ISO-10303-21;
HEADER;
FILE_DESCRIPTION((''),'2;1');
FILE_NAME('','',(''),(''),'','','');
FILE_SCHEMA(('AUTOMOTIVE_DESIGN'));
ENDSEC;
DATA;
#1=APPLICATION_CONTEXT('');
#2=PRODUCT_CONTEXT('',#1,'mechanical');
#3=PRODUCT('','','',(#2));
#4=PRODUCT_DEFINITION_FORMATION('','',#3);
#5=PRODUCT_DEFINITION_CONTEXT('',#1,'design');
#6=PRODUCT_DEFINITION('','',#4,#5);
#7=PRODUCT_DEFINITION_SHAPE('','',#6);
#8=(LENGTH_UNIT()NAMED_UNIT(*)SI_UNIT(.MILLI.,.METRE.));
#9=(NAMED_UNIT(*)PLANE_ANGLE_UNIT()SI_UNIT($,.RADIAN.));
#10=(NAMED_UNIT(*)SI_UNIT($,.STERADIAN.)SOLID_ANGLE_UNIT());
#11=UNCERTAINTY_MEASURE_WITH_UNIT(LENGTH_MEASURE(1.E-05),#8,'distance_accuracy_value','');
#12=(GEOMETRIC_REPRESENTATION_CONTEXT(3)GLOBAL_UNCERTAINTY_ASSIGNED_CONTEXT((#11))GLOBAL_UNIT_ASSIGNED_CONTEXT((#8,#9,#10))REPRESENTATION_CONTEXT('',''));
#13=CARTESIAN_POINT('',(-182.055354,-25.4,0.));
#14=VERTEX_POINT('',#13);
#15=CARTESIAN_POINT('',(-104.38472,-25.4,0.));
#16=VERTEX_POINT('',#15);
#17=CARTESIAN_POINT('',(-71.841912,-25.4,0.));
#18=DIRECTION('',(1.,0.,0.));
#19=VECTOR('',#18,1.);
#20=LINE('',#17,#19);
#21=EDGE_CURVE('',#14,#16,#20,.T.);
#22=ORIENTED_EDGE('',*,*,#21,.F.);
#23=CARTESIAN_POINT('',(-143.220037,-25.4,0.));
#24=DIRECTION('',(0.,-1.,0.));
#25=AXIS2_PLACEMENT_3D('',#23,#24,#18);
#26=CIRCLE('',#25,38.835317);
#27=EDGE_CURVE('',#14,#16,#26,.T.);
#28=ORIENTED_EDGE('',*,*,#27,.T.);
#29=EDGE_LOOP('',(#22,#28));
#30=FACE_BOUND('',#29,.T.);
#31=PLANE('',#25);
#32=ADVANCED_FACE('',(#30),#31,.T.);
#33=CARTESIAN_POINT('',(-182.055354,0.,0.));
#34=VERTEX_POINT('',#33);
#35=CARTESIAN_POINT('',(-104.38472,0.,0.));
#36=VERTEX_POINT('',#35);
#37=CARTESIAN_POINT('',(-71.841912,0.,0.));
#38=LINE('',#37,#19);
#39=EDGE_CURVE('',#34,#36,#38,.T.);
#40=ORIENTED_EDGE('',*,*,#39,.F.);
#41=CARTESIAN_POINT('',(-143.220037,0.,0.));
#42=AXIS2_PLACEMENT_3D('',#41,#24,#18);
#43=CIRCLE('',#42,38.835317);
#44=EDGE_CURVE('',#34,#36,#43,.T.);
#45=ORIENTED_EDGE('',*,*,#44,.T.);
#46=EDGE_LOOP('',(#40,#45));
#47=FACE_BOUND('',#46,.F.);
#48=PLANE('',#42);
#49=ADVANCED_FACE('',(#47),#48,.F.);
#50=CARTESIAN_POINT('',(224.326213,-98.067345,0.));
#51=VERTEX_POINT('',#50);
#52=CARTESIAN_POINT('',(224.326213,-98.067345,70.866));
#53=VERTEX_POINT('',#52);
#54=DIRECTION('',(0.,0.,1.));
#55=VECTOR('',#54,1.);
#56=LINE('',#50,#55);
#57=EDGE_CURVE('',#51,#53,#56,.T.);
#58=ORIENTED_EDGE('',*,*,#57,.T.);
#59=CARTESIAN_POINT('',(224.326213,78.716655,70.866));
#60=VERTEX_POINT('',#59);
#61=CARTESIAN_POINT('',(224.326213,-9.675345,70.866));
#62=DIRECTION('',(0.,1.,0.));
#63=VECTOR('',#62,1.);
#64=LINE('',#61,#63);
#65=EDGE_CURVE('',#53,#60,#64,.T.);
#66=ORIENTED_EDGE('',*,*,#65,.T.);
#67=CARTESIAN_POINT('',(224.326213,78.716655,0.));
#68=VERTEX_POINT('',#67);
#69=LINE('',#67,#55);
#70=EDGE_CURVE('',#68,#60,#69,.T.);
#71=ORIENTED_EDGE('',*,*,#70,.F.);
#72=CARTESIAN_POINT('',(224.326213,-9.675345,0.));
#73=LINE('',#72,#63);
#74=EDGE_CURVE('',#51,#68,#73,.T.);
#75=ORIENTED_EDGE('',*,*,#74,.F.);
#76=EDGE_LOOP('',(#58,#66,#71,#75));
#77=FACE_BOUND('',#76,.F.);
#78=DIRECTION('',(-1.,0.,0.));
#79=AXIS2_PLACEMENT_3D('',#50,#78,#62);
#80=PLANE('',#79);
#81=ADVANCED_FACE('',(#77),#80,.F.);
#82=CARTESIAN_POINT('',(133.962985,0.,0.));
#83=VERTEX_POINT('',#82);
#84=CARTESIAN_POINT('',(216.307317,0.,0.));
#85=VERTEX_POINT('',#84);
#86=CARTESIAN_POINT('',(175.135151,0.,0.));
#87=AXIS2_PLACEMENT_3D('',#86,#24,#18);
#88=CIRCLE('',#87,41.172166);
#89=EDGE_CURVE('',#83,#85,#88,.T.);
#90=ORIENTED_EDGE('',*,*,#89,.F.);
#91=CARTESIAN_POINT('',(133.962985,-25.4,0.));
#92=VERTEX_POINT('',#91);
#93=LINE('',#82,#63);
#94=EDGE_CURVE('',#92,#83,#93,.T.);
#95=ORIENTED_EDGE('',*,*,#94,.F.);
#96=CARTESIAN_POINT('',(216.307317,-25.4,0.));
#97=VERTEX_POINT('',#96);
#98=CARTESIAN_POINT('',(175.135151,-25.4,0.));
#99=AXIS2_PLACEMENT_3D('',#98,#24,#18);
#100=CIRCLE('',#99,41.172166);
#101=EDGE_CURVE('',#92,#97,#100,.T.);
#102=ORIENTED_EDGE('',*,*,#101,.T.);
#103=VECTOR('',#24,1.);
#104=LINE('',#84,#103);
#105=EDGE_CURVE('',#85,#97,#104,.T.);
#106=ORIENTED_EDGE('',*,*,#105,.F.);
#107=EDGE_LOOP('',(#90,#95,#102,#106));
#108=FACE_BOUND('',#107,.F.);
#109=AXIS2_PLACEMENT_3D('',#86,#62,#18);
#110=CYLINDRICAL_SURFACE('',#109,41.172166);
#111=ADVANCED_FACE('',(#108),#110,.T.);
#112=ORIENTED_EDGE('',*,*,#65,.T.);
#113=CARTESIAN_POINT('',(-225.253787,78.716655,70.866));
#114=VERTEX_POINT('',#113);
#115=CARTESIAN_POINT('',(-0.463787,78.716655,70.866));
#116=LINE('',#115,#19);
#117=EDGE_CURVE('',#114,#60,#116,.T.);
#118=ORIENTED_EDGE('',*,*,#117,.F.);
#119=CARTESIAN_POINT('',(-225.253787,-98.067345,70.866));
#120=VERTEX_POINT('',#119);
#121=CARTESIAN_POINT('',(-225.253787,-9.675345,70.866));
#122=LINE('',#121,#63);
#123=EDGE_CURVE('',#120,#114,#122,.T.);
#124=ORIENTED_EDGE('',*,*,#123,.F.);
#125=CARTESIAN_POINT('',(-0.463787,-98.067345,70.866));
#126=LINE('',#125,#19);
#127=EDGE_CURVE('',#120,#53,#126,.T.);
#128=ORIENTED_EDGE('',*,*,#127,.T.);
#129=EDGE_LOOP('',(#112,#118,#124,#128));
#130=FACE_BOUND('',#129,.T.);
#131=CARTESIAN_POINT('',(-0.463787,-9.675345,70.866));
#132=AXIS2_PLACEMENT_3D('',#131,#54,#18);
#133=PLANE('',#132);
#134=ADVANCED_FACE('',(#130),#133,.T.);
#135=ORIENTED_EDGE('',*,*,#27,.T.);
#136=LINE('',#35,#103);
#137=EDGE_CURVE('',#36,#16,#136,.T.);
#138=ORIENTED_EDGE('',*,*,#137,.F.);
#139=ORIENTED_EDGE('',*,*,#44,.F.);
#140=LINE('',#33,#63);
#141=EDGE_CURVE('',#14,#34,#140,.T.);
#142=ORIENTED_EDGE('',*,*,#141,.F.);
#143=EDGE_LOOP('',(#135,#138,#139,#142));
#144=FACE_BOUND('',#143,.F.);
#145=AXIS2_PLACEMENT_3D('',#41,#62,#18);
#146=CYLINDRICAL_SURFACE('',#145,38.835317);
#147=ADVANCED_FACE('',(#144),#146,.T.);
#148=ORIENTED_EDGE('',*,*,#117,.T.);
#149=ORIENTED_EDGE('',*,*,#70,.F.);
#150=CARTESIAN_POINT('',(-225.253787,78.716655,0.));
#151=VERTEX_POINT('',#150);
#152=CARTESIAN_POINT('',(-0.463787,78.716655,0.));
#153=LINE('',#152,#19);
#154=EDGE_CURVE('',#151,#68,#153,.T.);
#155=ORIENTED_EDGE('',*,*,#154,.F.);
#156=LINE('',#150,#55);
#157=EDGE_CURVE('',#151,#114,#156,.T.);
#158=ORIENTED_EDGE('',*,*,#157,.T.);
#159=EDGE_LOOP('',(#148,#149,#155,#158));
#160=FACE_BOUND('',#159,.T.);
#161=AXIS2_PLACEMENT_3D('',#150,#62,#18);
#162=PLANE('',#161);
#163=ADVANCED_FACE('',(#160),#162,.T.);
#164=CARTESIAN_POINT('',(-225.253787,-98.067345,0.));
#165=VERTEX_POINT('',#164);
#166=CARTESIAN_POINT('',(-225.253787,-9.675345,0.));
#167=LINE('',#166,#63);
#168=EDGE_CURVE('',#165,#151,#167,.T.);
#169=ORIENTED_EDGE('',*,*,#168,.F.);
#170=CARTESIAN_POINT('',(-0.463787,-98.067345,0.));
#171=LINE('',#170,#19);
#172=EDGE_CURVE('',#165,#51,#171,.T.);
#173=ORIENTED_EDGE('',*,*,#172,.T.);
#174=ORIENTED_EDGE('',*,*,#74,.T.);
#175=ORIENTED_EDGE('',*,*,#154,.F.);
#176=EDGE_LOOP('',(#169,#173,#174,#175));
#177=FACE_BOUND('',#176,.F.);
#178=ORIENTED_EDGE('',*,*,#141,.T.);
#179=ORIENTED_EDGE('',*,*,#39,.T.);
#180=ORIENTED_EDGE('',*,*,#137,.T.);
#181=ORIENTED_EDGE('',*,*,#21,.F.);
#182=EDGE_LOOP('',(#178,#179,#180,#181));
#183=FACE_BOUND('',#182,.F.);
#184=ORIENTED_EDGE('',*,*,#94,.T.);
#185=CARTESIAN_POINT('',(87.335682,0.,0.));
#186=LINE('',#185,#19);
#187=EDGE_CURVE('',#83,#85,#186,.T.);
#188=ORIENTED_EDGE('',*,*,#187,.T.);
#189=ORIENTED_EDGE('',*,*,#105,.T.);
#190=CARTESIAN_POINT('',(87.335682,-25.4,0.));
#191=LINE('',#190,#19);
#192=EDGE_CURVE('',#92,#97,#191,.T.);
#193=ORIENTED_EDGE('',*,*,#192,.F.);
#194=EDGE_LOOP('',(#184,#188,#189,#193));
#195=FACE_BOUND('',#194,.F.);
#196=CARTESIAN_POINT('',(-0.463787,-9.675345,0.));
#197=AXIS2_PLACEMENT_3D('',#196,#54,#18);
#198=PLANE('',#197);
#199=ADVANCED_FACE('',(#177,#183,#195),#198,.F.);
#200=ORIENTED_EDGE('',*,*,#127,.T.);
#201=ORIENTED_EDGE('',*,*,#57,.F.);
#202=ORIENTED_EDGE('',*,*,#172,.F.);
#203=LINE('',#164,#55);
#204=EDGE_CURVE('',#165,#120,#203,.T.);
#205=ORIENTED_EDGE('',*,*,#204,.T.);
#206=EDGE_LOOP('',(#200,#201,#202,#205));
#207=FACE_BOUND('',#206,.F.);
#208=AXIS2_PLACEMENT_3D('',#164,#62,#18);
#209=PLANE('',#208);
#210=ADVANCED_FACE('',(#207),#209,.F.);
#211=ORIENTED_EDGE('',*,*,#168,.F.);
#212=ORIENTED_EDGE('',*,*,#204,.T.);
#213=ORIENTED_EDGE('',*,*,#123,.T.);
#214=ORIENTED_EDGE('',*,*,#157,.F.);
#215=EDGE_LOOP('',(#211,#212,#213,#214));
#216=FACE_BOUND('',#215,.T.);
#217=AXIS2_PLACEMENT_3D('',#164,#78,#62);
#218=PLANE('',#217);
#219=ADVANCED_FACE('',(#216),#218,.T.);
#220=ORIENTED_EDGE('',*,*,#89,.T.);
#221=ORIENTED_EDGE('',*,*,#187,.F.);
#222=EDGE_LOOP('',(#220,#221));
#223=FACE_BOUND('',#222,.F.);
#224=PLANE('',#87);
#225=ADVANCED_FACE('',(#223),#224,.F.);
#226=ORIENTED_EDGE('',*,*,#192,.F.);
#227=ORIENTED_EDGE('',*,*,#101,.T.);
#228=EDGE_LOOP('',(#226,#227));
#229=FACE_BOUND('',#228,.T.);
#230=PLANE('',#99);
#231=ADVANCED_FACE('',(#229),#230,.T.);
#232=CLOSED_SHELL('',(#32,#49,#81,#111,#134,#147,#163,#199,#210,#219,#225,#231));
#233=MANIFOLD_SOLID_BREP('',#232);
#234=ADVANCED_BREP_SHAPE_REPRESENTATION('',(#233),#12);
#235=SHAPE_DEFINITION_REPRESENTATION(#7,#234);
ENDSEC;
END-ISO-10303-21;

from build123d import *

# Parameters (mm, degrees)
F0_W     = 449.58
F0_H     = 176.784
F1_DEPTH = 70.866
F2_R     = 38.835317
F2_R_2   = 41.172166
F3_DEPTH = 25.4


with BuildPart() as f1:
    # F0 (on Top) → F1 (new body)
    with BuildSketch(Plane.XY):
        with Locations((-0.463787, -9.675345)):
            Rectangle(F0_W, F0_H)
    extrude(amount=F1_DEPTH)

    # F2 (on Front) → F3 (join)
    with BuildSketch(Plane.XZ):
        with Locations((-143.220037, 0)):
            Circle(F2_R)
        with Locations((175.135151, 0)):
            Circle(F2_R_2)
    extrude(amount=F3_DEPTH)


solid = f1.part
